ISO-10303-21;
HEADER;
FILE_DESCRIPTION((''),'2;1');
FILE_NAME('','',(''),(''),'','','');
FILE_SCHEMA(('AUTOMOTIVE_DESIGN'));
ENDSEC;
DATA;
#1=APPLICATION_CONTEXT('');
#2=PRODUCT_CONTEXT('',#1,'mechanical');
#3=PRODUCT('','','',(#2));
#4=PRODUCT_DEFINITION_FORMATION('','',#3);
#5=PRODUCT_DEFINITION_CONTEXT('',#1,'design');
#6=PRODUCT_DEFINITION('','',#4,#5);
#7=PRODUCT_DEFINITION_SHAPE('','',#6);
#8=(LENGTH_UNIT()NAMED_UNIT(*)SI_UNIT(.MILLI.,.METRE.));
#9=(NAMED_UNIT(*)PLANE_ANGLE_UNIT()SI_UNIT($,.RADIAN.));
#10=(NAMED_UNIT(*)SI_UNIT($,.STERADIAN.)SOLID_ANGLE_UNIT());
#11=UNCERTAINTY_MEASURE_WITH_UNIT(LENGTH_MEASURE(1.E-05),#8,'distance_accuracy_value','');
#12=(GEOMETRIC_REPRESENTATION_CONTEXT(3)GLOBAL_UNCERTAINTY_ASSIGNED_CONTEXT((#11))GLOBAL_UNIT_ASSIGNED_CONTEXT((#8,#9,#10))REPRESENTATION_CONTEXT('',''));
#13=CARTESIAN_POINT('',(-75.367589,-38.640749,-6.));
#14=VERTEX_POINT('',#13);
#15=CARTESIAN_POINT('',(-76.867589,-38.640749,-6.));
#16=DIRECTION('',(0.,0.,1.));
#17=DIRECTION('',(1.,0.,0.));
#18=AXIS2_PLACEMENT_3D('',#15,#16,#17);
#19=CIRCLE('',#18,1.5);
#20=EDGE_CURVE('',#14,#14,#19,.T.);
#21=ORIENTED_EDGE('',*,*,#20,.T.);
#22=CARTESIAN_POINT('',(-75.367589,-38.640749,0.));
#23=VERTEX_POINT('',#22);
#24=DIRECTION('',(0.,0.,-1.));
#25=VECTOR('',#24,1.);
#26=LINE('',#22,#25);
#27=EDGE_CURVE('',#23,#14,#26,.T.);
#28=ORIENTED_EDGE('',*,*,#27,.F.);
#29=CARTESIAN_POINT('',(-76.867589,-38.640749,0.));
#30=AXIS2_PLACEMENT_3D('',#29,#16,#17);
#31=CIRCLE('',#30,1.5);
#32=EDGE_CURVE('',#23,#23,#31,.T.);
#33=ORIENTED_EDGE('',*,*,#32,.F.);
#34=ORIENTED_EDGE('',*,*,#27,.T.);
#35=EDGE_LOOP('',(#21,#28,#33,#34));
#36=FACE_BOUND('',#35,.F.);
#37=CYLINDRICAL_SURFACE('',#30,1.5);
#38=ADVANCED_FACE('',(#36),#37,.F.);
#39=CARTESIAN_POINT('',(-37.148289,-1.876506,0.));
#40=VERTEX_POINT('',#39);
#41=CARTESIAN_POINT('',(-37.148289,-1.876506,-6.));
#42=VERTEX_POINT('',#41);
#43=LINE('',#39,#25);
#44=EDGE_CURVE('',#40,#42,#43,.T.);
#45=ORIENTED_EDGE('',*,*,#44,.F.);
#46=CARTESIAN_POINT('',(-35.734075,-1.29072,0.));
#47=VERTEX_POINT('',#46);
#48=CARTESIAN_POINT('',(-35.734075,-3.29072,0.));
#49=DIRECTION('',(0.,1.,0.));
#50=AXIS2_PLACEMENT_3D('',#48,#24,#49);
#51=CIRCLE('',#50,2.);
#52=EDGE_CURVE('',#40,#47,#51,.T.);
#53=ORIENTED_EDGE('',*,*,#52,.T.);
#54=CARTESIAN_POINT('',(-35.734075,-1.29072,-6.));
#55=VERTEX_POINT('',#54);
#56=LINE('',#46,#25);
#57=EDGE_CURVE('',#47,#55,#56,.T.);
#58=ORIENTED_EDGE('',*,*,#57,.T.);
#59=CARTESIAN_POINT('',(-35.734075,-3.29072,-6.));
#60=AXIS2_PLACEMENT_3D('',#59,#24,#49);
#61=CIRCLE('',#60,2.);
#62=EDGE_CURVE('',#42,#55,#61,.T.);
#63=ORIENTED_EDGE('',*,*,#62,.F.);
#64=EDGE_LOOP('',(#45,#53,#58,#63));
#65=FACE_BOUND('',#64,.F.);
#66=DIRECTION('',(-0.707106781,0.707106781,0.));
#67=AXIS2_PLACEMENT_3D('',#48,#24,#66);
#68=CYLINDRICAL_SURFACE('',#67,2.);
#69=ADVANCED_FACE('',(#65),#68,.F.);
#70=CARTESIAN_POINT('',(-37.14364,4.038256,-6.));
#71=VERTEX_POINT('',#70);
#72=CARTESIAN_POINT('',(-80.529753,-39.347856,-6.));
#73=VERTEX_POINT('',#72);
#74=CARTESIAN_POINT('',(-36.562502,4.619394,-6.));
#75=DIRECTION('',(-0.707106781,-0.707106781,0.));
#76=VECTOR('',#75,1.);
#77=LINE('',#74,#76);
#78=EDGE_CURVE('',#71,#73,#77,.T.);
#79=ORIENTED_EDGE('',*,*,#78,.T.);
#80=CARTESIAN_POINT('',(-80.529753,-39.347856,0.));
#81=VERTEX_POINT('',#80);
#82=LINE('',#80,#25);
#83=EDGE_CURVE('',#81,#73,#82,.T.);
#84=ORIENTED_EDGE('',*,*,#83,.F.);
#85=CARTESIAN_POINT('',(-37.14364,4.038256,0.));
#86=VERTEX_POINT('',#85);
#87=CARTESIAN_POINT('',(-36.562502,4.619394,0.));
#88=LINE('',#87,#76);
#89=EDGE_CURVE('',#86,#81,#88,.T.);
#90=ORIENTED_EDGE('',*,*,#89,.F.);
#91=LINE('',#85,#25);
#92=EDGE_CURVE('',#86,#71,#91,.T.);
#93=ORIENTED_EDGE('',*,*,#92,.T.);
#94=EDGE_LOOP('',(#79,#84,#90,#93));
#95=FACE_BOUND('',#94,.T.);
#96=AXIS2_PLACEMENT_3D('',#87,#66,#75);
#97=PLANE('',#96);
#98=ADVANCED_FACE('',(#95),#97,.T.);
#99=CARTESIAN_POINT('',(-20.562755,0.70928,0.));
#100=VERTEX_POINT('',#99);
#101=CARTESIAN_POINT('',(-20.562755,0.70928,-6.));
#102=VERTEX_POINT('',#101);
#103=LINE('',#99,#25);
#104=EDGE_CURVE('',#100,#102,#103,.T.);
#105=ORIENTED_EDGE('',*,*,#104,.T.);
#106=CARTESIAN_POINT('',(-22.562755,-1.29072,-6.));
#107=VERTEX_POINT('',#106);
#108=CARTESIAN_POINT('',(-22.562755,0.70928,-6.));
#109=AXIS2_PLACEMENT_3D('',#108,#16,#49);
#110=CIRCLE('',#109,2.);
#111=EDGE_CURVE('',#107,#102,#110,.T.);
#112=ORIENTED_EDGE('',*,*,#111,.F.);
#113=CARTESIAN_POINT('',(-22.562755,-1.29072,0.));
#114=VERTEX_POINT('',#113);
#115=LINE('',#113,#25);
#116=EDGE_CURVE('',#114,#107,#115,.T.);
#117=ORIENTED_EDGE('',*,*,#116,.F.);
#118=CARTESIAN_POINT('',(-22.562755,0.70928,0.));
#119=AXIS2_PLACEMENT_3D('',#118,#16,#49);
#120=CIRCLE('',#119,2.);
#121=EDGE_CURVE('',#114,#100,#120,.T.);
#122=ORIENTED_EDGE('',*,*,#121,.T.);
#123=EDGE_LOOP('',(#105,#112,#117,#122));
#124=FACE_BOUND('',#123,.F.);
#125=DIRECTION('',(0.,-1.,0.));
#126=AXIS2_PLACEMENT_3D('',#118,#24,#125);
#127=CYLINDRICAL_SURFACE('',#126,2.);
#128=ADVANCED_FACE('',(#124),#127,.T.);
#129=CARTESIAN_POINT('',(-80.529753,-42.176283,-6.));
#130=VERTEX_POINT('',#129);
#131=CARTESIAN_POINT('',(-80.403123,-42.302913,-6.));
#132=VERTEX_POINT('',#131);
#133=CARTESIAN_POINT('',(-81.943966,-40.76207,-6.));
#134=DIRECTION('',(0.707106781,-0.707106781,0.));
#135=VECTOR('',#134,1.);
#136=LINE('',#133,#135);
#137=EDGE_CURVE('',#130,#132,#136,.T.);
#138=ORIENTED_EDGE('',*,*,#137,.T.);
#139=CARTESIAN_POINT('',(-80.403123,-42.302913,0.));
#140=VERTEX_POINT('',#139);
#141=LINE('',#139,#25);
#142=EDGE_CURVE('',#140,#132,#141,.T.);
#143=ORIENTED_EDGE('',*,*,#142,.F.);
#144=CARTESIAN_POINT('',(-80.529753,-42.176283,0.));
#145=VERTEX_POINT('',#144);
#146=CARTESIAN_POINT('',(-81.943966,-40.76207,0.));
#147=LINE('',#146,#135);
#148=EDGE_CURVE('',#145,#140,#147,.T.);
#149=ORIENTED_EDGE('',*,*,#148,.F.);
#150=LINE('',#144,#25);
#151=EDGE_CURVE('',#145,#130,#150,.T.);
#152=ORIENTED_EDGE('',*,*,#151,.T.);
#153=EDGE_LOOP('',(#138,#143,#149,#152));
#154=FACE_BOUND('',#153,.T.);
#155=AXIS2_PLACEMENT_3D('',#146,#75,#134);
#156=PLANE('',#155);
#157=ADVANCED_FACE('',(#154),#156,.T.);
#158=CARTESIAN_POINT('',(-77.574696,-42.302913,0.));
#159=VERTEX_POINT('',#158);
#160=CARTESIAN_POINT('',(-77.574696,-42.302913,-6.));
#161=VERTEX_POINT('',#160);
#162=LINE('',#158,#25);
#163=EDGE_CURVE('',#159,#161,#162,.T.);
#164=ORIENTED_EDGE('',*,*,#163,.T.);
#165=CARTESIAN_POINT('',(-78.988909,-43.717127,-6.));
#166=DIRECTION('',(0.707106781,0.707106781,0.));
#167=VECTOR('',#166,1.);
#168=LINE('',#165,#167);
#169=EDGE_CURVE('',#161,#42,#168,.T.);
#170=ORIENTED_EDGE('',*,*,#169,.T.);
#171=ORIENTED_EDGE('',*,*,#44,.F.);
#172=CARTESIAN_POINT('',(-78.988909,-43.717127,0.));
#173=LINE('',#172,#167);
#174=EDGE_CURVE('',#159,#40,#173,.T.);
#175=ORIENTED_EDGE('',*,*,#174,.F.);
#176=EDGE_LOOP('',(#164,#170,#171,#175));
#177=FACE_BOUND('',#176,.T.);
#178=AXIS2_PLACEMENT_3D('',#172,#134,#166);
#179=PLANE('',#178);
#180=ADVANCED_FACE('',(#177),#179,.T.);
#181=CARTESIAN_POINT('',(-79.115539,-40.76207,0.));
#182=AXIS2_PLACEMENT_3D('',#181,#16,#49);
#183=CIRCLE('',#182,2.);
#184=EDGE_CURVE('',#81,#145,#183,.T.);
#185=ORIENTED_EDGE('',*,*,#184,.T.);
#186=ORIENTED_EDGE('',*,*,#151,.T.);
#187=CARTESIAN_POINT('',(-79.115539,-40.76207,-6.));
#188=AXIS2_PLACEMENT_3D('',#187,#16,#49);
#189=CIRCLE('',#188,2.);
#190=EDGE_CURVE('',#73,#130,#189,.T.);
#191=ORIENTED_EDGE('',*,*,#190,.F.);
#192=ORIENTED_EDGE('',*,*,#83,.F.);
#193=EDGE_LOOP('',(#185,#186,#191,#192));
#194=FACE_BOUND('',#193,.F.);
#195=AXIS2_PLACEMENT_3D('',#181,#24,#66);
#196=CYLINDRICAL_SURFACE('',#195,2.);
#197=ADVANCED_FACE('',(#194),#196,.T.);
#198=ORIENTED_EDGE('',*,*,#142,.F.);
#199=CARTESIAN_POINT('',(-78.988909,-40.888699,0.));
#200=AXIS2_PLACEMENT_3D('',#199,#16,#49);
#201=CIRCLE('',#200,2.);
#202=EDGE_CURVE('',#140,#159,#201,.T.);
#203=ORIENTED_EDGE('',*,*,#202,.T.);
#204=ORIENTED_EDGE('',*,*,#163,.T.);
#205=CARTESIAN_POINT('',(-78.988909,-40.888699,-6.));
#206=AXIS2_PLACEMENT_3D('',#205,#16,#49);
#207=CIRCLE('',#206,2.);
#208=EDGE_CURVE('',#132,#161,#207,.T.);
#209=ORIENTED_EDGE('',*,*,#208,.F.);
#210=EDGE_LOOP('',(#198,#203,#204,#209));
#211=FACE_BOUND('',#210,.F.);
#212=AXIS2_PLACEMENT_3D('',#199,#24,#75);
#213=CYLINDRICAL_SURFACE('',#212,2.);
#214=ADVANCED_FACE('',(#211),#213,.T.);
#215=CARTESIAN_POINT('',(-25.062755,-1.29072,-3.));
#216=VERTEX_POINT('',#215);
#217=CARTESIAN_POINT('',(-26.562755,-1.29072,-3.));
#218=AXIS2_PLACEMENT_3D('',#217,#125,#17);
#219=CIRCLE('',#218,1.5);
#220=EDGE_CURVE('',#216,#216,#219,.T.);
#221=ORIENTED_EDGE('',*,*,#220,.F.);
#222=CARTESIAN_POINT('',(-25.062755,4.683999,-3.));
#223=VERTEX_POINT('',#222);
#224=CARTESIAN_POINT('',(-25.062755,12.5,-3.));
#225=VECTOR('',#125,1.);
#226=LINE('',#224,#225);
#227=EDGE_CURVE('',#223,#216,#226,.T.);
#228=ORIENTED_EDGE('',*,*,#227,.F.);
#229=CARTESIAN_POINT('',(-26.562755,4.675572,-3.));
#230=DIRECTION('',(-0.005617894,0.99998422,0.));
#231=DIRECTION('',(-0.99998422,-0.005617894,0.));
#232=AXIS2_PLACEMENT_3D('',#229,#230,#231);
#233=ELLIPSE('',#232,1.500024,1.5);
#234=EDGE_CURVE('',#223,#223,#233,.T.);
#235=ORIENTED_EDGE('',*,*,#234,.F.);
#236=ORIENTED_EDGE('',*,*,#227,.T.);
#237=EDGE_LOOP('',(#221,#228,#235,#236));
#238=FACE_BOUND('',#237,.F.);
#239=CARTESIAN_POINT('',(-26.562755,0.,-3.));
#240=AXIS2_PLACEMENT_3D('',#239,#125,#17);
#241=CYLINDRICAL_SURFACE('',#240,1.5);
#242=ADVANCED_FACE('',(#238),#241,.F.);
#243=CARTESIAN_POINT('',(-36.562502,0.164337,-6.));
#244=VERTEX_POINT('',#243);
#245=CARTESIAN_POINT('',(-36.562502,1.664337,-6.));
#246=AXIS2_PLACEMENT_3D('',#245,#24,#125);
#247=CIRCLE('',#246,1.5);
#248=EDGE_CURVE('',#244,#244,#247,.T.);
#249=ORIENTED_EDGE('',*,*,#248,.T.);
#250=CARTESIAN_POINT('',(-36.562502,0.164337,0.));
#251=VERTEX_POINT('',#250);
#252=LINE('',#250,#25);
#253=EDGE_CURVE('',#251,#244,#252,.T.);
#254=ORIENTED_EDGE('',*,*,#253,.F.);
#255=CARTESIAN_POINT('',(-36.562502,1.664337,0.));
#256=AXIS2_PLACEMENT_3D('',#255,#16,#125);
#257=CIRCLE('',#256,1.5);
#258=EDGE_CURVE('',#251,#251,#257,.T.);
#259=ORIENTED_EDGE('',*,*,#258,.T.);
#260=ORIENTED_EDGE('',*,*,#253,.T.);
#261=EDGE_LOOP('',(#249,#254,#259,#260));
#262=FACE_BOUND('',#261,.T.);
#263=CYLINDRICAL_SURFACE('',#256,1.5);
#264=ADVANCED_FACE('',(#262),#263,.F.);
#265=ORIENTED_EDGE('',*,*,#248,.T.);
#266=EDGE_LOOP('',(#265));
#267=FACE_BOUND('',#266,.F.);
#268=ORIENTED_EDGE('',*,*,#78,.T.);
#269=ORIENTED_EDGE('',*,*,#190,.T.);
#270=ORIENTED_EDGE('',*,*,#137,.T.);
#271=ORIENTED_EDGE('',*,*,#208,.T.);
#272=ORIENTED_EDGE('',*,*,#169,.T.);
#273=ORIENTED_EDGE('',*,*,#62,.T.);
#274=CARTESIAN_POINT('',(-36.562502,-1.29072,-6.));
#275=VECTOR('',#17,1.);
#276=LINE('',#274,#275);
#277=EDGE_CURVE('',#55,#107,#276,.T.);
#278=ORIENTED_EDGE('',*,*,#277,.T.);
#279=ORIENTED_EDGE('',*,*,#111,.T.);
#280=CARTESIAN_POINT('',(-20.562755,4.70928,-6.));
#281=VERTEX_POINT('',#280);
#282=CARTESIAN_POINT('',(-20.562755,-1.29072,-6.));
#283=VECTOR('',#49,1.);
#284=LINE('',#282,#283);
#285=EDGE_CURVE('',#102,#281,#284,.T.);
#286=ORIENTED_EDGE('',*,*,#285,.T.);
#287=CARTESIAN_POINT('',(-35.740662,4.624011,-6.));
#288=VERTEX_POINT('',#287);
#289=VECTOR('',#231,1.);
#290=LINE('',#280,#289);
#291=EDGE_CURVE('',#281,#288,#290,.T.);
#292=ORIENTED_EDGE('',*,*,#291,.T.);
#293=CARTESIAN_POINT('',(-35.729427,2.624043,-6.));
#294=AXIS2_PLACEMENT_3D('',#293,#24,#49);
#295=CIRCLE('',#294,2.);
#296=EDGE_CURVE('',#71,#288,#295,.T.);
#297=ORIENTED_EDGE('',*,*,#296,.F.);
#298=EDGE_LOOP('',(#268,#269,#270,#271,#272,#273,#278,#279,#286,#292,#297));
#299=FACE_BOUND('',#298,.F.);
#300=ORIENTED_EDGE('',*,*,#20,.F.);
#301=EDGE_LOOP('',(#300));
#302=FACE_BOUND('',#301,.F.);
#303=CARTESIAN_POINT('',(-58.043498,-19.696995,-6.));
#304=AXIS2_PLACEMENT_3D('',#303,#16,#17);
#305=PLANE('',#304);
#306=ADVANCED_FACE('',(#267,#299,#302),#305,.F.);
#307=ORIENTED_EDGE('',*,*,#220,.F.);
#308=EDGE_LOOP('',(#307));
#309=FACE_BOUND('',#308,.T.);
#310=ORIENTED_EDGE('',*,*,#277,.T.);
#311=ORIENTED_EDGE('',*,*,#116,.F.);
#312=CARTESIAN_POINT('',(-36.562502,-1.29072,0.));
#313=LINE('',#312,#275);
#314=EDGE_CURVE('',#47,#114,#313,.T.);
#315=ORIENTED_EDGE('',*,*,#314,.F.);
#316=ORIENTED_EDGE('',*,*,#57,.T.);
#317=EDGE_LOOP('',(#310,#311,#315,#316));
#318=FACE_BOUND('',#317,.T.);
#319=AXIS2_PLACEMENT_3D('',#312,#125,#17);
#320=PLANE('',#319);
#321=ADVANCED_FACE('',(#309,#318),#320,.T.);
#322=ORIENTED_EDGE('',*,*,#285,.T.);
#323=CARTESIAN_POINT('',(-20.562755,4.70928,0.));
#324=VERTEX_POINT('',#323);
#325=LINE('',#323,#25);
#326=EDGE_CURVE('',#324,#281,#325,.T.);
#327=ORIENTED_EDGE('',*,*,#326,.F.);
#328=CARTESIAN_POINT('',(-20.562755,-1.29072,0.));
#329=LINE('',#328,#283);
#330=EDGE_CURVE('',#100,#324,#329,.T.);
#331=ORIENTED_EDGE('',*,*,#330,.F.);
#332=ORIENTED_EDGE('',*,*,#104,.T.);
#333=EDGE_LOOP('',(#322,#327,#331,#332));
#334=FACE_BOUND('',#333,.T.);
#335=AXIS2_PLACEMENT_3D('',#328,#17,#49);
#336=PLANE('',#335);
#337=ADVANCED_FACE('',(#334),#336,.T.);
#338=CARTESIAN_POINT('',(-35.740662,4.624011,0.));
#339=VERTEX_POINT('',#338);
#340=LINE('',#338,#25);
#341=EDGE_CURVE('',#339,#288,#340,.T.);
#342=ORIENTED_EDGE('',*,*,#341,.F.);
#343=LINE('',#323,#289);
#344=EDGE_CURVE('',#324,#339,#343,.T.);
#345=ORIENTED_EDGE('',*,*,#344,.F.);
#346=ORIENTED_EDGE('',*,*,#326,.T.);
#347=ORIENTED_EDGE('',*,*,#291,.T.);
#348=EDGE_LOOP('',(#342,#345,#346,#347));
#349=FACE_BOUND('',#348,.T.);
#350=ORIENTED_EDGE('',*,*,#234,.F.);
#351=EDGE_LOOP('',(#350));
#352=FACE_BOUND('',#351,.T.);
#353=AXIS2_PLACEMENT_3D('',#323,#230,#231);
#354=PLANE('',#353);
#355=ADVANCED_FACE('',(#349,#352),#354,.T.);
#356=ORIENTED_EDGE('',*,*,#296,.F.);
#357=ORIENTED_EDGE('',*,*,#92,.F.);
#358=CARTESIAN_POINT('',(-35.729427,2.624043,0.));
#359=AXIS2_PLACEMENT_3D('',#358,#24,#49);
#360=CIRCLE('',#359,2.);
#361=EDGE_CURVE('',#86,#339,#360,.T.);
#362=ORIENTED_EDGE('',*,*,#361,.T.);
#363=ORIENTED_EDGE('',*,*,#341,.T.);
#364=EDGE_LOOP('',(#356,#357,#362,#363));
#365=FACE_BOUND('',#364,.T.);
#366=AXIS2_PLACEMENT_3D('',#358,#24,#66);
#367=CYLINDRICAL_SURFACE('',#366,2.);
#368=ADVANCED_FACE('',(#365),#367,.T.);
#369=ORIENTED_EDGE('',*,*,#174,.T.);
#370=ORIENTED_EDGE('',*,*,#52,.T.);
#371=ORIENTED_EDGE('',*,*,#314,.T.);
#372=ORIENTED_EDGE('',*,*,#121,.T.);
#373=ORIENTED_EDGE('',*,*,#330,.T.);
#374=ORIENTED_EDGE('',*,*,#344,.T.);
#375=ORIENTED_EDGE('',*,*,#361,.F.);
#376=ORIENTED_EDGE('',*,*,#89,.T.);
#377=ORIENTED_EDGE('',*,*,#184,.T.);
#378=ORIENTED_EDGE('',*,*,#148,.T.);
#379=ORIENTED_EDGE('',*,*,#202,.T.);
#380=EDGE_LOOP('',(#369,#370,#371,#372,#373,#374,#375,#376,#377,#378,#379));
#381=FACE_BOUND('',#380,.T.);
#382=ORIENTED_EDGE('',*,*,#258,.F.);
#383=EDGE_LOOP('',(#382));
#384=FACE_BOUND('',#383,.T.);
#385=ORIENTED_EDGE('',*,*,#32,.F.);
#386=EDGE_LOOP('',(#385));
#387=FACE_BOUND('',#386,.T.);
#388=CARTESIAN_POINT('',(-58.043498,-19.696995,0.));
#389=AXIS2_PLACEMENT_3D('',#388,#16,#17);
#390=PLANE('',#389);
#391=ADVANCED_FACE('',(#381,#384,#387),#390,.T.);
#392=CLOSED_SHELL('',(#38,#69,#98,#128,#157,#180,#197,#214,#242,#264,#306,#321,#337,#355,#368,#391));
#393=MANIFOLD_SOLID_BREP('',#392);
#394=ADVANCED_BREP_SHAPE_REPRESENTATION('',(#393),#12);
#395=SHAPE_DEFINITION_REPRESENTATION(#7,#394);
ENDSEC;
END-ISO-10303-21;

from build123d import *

# Parameters (mm, degrees)
F1_DEPTH = 6
F0_R     = 1.5
F2_DEPTH = 6
F3_R     = 1.5
F4_DEPTH = 12.5
F5_R     = 2


with BuildPart() as f1:
    # F0 (on Top) → F1 (new body)
    with BuildSketch(Plane.XY):
        with BuildLine():
            Line((-20.562754872, -1.2907197386), (-20.562754872, 4.7092802614))
            Line((-20.562754872, 4.7092802614), (-36.5625023842, 4.6193939634))
            Line((-36.5625023842, 4.6193939634), (-36.5625023842, 3.1643371124))
            ThreePointArc((-36.5625023842, 3.1643371124), (-35.0625023842, 1.6643371124), (-36.5625023842, 0.1643371124))
            Line((-36.5625023842, 0.1643371124), (-36.5625023842, -1.2907197386))
            Line((-36.5625023842, -1.2907197386), (-20.562754872, -1.2907197386))
        make_face()
    extrude(amount=-F1_DEPTH)

    # F0 (on Top) → F2 (join)
    with BuildSketch(Plane.XY):
        with BuildLine():
            Line((-36.5625023842, 3.1643371124), (-36.5625023842, 4.6193939634))
            Line((-36.5625023842, 4.6193939634), (-81.9439661063, -40.7620697588))
            Line((-81.9439661063, -40.7620697588), (-78.9889092554, -43.7171266098))
            Line((-78.9889092554, -43.7171266098), (-36.5625023842, -1.2907197386))
            Line((-36.5625023842, -1.2907197386), (-36.5625023842, 0.1643371124))
            ThreePointArc((-36.5625023842, 0.1643371124), (-38.0625023842, 1.6643371124), (-36.5625023842, 3.1643371124))
        make_face()
        with Locations((-76.8675889118, -38.6407494152)):
            Circle(F0_R, mode=Mode.SUBTRACT)
    extrude(amount=-F2_DEPTH)

    # F3 (on Front) → F4 (cut, symmetric)
    with BuildSketch(Plane.XZ):
        with Locations((-26.562754872, -3)):
            Circle(F3_R)
    extrude(amount=F4_DEPTH, both=True, mode=Mode.SUBTRACT)

    # F5
    f5_edges = [f1.edges().sort_by_distance(p)[0] for p in [
        (-36.562502, 4.619394, -3),
        (-20.562755, -1.29072, -3),
        (-36.562502, -1.29072, -3),
        (-78.988909, -43.717127, -3),
        (-81.943966, -40.76207, -3),
    ]]
    fillet(f5_edges, radius=F5_R)


solid = f1.part
